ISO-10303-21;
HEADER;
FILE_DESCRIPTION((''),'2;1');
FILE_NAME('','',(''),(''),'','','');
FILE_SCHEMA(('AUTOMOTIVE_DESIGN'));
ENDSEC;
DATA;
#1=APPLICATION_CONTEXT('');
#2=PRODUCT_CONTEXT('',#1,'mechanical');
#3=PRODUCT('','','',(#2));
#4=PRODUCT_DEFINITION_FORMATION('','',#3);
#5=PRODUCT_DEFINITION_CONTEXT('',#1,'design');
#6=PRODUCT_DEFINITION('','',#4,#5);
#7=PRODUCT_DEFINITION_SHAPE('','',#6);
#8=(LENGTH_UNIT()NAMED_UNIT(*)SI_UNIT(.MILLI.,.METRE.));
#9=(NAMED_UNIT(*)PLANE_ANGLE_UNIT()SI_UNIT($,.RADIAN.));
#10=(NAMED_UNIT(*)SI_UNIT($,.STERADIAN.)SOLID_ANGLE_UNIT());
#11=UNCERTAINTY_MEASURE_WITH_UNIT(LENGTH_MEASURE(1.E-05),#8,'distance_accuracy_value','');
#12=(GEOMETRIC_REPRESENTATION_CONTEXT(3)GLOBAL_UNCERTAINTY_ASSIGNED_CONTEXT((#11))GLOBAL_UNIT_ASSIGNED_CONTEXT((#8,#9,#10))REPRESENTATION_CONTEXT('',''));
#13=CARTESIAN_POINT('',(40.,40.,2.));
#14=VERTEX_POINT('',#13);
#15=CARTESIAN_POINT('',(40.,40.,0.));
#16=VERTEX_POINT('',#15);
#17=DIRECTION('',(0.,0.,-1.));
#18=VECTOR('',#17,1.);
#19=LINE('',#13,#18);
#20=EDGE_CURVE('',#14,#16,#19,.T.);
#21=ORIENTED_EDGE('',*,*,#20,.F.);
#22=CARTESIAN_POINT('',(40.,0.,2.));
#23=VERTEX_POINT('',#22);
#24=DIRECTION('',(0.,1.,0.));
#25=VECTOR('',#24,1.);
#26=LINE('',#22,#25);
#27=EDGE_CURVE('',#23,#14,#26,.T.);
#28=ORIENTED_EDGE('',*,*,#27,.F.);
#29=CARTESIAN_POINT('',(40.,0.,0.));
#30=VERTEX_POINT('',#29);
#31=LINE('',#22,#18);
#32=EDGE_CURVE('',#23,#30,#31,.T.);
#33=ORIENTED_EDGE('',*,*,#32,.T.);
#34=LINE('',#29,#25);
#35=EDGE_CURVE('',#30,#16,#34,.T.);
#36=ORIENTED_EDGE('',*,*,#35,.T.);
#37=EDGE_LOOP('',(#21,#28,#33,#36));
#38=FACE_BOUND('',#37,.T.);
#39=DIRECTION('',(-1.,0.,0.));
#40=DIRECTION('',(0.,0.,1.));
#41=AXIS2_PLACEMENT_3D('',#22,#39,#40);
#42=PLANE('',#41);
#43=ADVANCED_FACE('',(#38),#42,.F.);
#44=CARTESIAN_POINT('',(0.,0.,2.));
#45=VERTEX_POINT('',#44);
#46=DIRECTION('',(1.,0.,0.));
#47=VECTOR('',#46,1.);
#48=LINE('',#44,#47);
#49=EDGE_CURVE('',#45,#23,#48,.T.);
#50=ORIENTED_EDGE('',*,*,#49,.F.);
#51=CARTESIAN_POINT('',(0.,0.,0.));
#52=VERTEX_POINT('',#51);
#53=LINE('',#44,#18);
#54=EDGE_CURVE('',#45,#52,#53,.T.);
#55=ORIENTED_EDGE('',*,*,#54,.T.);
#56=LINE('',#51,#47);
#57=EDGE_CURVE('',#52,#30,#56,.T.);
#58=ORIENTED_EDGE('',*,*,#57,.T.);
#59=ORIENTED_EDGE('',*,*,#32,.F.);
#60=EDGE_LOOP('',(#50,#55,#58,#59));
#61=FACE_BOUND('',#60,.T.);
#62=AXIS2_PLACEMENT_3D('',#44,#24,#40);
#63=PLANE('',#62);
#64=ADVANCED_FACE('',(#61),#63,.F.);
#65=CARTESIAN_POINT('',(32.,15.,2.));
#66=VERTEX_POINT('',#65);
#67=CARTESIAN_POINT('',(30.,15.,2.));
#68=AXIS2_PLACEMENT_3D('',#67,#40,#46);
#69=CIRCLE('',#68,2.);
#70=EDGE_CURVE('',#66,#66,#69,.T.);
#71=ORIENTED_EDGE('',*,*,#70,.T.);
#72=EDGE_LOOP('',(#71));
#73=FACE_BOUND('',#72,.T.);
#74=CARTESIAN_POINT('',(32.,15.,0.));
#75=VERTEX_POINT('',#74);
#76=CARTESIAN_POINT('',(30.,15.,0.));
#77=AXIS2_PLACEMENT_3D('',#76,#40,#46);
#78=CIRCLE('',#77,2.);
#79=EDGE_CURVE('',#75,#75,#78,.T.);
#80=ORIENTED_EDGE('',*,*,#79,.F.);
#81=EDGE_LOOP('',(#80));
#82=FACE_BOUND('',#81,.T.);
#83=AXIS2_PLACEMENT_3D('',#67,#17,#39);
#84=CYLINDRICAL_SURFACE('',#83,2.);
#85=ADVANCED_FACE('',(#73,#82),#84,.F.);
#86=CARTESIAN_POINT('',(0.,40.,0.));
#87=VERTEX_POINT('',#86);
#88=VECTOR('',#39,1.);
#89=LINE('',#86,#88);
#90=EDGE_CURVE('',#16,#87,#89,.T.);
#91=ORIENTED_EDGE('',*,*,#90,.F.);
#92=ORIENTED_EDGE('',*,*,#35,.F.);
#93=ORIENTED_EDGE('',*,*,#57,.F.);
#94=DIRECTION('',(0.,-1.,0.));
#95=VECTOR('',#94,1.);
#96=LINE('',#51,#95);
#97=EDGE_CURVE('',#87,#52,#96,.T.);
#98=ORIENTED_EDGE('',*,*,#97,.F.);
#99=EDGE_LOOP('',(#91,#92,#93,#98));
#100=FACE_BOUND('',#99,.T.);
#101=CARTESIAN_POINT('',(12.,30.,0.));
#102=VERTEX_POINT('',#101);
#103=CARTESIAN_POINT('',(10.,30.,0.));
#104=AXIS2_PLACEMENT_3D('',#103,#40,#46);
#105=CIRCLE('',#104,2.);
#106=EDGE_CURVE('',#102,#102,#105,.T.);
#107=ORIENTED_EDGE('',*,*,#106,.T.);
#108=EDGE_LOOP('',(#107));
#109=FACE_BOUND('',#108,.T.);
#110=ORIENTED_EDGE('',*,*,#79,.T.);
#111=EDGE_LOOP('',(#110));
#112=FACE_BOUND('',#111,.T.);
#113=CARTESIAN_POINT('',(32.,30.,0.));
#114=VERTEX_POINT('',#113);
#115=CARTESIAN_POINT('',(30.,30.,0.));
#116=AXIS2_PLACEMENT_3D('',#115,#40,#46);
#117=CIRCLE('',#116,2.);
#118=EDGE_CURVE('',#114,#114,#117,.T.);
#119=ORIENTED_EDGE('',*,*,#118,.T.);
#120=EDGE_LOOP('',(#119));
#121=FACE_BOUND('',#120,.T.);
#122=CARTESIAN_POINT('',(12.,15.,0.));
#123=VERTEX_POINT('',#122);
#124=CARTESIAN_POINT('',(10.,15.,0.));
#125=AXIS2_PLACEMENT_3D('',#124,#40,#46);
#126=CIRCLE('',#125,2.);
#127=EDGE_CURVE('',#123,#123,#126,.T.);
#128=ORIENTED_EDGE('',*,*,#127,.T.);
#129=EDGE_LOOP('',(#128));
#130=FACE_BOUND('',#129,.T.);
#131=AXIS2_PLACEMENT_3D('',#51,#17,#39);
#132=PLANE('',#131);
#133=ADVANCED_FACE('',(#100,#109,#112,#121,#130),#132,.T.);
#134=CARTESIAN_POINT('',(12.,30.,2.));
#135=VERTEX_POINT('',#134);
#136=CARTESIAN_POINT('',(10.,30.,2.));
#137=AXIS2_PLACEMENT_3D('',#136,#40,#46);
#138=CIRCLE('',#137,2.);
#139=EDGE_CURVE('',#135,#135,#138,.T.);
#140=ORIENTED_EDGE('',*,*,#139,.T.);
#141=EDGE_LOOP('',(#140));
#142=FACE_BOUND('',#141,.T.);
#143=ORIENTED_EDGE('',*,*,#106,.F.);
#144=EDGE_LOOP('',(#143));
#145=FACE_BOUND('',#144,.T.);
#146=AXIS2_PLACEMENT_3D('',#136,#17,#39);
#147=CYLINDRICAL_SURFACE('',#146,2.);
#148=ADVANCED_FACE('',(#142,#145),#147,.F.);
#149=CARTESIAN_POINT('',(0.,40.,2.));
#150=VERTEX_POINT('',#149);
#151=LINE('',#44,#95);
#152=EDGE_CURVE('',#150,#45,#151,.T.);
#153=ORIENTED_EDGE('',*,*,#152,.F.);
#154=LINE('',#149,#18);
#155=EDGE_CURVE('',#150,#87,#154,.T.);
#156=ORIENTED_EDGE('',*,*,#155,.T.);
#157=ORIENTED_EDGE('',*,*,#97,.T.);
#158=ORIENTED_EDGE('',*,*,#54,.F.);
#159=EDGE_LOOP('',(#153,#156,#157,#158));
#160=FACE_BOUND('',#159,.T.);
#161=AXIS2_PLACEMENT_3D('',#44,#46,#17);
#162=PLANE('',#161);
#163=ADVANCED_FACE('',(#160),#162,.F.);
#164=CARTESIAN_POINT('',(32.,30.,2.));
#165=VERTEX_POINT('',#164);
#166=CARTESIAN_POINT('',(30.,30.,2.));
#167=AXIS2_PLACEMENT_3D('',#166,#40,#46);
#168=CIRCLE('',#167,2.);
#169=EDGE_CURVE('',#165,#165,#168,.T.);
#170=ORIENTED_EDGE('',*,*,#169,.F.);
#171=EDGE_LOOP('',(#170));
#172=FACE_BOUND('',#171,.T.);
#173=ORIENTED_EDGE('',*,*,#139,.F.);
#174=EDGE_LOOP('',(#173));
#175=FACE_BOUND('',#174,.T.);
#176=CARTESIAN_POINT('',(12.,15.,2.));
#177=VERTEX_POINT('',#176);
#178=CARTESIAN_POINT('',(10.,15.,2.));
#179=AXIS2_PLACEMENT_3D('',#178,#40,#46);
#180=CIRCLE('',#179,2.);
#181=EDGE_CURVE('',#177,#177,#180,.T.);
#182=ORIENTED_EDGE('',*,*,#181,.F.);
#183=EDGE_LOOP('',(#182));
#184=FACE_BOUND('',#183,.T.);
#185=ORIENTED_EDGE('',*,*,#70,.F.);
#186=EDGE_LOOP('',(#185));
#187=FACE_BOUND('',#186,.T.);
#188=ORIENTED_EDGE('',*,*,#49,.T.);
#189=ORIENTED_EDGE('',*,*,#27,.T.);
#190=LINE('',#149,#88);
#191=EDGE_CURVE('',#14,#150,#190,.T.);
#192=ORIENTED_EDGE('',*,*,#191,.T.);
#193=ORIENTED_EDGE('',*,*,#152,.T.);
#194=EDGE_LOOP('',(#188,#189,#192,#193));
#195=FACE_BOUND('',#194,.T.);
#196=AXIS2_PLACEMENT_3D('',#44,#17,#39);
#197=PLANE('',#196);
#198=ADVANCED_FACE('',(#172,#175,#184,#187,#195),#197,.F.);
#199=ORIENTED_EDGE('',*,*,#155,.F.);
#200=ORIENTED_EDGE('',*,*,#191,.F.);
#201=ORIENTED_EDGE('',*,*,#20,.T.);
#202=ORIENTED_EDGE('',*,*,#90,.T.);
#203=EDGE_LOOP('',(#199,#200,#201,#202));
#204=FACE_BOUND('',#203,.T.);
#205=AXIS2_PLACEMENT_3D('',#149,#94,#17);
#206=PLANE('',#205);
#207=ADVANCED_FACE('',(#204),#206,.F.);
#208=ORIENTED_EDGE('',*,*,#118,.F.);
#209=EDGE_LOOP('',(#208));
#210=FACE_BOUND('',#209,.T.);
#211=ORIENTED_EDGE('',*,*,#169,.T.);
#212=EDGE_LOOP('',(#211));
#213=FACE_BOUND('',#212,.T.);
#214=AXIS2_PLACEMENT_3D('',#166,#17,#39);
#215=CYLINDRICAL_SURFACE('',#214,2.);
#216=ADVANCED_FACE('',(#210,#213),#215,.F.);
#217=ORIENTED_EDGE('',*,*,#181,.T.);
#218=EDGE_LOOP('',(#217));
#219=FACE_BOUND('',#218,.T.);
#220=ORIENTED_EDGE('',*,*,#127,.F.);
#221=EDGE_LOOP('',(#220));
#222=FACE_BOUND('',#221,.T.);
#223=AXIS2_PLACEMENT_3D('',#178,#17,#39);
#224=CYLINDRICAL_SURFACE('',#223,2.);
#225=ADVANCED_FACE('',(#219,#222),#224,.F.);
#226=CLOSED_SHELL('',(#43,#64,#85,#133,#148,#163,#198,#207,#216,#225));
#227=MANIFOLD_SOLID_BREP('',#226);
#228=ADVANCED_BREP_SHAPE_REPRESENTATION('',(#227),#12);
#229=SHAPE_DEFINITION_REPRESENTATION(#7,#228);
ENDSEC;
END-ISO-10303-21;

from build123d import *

# Parameters (mm, degrees)
SKETCH1_W           = 40
SKETCH1_H           = 40
SKETCH1_R           = 2
BOSS_EXTRUDE1_DEPTH = 2


with BuildPart() as part:
    # Sketch1 → Boss-Extrude1 (new body)
    with BuildSketch(Plane.XY):
        with Locations((20, 20)):
            Rectangle(SKETCH1_W, SKETCH1_H)
        with Locations((10, 30)):
            Circle(SKETCH1_R, mode=Mode.SUBTRACT)
        with Locations((10, 15)):
            Circle(SKETCH1_R, mode=Mode.SUBTRACT)
        with Locations((30, 30)):
            Circle(SKETCH1_R, mode=Mode.SUBTRACT)
        with Locations((30, 15)):
            Circle(SKETCH1_R, mode=Mode.SUBTRACT)
    extrude(amount=BOSS_EXTRUDE1_DEPTH)


solid = part.part
